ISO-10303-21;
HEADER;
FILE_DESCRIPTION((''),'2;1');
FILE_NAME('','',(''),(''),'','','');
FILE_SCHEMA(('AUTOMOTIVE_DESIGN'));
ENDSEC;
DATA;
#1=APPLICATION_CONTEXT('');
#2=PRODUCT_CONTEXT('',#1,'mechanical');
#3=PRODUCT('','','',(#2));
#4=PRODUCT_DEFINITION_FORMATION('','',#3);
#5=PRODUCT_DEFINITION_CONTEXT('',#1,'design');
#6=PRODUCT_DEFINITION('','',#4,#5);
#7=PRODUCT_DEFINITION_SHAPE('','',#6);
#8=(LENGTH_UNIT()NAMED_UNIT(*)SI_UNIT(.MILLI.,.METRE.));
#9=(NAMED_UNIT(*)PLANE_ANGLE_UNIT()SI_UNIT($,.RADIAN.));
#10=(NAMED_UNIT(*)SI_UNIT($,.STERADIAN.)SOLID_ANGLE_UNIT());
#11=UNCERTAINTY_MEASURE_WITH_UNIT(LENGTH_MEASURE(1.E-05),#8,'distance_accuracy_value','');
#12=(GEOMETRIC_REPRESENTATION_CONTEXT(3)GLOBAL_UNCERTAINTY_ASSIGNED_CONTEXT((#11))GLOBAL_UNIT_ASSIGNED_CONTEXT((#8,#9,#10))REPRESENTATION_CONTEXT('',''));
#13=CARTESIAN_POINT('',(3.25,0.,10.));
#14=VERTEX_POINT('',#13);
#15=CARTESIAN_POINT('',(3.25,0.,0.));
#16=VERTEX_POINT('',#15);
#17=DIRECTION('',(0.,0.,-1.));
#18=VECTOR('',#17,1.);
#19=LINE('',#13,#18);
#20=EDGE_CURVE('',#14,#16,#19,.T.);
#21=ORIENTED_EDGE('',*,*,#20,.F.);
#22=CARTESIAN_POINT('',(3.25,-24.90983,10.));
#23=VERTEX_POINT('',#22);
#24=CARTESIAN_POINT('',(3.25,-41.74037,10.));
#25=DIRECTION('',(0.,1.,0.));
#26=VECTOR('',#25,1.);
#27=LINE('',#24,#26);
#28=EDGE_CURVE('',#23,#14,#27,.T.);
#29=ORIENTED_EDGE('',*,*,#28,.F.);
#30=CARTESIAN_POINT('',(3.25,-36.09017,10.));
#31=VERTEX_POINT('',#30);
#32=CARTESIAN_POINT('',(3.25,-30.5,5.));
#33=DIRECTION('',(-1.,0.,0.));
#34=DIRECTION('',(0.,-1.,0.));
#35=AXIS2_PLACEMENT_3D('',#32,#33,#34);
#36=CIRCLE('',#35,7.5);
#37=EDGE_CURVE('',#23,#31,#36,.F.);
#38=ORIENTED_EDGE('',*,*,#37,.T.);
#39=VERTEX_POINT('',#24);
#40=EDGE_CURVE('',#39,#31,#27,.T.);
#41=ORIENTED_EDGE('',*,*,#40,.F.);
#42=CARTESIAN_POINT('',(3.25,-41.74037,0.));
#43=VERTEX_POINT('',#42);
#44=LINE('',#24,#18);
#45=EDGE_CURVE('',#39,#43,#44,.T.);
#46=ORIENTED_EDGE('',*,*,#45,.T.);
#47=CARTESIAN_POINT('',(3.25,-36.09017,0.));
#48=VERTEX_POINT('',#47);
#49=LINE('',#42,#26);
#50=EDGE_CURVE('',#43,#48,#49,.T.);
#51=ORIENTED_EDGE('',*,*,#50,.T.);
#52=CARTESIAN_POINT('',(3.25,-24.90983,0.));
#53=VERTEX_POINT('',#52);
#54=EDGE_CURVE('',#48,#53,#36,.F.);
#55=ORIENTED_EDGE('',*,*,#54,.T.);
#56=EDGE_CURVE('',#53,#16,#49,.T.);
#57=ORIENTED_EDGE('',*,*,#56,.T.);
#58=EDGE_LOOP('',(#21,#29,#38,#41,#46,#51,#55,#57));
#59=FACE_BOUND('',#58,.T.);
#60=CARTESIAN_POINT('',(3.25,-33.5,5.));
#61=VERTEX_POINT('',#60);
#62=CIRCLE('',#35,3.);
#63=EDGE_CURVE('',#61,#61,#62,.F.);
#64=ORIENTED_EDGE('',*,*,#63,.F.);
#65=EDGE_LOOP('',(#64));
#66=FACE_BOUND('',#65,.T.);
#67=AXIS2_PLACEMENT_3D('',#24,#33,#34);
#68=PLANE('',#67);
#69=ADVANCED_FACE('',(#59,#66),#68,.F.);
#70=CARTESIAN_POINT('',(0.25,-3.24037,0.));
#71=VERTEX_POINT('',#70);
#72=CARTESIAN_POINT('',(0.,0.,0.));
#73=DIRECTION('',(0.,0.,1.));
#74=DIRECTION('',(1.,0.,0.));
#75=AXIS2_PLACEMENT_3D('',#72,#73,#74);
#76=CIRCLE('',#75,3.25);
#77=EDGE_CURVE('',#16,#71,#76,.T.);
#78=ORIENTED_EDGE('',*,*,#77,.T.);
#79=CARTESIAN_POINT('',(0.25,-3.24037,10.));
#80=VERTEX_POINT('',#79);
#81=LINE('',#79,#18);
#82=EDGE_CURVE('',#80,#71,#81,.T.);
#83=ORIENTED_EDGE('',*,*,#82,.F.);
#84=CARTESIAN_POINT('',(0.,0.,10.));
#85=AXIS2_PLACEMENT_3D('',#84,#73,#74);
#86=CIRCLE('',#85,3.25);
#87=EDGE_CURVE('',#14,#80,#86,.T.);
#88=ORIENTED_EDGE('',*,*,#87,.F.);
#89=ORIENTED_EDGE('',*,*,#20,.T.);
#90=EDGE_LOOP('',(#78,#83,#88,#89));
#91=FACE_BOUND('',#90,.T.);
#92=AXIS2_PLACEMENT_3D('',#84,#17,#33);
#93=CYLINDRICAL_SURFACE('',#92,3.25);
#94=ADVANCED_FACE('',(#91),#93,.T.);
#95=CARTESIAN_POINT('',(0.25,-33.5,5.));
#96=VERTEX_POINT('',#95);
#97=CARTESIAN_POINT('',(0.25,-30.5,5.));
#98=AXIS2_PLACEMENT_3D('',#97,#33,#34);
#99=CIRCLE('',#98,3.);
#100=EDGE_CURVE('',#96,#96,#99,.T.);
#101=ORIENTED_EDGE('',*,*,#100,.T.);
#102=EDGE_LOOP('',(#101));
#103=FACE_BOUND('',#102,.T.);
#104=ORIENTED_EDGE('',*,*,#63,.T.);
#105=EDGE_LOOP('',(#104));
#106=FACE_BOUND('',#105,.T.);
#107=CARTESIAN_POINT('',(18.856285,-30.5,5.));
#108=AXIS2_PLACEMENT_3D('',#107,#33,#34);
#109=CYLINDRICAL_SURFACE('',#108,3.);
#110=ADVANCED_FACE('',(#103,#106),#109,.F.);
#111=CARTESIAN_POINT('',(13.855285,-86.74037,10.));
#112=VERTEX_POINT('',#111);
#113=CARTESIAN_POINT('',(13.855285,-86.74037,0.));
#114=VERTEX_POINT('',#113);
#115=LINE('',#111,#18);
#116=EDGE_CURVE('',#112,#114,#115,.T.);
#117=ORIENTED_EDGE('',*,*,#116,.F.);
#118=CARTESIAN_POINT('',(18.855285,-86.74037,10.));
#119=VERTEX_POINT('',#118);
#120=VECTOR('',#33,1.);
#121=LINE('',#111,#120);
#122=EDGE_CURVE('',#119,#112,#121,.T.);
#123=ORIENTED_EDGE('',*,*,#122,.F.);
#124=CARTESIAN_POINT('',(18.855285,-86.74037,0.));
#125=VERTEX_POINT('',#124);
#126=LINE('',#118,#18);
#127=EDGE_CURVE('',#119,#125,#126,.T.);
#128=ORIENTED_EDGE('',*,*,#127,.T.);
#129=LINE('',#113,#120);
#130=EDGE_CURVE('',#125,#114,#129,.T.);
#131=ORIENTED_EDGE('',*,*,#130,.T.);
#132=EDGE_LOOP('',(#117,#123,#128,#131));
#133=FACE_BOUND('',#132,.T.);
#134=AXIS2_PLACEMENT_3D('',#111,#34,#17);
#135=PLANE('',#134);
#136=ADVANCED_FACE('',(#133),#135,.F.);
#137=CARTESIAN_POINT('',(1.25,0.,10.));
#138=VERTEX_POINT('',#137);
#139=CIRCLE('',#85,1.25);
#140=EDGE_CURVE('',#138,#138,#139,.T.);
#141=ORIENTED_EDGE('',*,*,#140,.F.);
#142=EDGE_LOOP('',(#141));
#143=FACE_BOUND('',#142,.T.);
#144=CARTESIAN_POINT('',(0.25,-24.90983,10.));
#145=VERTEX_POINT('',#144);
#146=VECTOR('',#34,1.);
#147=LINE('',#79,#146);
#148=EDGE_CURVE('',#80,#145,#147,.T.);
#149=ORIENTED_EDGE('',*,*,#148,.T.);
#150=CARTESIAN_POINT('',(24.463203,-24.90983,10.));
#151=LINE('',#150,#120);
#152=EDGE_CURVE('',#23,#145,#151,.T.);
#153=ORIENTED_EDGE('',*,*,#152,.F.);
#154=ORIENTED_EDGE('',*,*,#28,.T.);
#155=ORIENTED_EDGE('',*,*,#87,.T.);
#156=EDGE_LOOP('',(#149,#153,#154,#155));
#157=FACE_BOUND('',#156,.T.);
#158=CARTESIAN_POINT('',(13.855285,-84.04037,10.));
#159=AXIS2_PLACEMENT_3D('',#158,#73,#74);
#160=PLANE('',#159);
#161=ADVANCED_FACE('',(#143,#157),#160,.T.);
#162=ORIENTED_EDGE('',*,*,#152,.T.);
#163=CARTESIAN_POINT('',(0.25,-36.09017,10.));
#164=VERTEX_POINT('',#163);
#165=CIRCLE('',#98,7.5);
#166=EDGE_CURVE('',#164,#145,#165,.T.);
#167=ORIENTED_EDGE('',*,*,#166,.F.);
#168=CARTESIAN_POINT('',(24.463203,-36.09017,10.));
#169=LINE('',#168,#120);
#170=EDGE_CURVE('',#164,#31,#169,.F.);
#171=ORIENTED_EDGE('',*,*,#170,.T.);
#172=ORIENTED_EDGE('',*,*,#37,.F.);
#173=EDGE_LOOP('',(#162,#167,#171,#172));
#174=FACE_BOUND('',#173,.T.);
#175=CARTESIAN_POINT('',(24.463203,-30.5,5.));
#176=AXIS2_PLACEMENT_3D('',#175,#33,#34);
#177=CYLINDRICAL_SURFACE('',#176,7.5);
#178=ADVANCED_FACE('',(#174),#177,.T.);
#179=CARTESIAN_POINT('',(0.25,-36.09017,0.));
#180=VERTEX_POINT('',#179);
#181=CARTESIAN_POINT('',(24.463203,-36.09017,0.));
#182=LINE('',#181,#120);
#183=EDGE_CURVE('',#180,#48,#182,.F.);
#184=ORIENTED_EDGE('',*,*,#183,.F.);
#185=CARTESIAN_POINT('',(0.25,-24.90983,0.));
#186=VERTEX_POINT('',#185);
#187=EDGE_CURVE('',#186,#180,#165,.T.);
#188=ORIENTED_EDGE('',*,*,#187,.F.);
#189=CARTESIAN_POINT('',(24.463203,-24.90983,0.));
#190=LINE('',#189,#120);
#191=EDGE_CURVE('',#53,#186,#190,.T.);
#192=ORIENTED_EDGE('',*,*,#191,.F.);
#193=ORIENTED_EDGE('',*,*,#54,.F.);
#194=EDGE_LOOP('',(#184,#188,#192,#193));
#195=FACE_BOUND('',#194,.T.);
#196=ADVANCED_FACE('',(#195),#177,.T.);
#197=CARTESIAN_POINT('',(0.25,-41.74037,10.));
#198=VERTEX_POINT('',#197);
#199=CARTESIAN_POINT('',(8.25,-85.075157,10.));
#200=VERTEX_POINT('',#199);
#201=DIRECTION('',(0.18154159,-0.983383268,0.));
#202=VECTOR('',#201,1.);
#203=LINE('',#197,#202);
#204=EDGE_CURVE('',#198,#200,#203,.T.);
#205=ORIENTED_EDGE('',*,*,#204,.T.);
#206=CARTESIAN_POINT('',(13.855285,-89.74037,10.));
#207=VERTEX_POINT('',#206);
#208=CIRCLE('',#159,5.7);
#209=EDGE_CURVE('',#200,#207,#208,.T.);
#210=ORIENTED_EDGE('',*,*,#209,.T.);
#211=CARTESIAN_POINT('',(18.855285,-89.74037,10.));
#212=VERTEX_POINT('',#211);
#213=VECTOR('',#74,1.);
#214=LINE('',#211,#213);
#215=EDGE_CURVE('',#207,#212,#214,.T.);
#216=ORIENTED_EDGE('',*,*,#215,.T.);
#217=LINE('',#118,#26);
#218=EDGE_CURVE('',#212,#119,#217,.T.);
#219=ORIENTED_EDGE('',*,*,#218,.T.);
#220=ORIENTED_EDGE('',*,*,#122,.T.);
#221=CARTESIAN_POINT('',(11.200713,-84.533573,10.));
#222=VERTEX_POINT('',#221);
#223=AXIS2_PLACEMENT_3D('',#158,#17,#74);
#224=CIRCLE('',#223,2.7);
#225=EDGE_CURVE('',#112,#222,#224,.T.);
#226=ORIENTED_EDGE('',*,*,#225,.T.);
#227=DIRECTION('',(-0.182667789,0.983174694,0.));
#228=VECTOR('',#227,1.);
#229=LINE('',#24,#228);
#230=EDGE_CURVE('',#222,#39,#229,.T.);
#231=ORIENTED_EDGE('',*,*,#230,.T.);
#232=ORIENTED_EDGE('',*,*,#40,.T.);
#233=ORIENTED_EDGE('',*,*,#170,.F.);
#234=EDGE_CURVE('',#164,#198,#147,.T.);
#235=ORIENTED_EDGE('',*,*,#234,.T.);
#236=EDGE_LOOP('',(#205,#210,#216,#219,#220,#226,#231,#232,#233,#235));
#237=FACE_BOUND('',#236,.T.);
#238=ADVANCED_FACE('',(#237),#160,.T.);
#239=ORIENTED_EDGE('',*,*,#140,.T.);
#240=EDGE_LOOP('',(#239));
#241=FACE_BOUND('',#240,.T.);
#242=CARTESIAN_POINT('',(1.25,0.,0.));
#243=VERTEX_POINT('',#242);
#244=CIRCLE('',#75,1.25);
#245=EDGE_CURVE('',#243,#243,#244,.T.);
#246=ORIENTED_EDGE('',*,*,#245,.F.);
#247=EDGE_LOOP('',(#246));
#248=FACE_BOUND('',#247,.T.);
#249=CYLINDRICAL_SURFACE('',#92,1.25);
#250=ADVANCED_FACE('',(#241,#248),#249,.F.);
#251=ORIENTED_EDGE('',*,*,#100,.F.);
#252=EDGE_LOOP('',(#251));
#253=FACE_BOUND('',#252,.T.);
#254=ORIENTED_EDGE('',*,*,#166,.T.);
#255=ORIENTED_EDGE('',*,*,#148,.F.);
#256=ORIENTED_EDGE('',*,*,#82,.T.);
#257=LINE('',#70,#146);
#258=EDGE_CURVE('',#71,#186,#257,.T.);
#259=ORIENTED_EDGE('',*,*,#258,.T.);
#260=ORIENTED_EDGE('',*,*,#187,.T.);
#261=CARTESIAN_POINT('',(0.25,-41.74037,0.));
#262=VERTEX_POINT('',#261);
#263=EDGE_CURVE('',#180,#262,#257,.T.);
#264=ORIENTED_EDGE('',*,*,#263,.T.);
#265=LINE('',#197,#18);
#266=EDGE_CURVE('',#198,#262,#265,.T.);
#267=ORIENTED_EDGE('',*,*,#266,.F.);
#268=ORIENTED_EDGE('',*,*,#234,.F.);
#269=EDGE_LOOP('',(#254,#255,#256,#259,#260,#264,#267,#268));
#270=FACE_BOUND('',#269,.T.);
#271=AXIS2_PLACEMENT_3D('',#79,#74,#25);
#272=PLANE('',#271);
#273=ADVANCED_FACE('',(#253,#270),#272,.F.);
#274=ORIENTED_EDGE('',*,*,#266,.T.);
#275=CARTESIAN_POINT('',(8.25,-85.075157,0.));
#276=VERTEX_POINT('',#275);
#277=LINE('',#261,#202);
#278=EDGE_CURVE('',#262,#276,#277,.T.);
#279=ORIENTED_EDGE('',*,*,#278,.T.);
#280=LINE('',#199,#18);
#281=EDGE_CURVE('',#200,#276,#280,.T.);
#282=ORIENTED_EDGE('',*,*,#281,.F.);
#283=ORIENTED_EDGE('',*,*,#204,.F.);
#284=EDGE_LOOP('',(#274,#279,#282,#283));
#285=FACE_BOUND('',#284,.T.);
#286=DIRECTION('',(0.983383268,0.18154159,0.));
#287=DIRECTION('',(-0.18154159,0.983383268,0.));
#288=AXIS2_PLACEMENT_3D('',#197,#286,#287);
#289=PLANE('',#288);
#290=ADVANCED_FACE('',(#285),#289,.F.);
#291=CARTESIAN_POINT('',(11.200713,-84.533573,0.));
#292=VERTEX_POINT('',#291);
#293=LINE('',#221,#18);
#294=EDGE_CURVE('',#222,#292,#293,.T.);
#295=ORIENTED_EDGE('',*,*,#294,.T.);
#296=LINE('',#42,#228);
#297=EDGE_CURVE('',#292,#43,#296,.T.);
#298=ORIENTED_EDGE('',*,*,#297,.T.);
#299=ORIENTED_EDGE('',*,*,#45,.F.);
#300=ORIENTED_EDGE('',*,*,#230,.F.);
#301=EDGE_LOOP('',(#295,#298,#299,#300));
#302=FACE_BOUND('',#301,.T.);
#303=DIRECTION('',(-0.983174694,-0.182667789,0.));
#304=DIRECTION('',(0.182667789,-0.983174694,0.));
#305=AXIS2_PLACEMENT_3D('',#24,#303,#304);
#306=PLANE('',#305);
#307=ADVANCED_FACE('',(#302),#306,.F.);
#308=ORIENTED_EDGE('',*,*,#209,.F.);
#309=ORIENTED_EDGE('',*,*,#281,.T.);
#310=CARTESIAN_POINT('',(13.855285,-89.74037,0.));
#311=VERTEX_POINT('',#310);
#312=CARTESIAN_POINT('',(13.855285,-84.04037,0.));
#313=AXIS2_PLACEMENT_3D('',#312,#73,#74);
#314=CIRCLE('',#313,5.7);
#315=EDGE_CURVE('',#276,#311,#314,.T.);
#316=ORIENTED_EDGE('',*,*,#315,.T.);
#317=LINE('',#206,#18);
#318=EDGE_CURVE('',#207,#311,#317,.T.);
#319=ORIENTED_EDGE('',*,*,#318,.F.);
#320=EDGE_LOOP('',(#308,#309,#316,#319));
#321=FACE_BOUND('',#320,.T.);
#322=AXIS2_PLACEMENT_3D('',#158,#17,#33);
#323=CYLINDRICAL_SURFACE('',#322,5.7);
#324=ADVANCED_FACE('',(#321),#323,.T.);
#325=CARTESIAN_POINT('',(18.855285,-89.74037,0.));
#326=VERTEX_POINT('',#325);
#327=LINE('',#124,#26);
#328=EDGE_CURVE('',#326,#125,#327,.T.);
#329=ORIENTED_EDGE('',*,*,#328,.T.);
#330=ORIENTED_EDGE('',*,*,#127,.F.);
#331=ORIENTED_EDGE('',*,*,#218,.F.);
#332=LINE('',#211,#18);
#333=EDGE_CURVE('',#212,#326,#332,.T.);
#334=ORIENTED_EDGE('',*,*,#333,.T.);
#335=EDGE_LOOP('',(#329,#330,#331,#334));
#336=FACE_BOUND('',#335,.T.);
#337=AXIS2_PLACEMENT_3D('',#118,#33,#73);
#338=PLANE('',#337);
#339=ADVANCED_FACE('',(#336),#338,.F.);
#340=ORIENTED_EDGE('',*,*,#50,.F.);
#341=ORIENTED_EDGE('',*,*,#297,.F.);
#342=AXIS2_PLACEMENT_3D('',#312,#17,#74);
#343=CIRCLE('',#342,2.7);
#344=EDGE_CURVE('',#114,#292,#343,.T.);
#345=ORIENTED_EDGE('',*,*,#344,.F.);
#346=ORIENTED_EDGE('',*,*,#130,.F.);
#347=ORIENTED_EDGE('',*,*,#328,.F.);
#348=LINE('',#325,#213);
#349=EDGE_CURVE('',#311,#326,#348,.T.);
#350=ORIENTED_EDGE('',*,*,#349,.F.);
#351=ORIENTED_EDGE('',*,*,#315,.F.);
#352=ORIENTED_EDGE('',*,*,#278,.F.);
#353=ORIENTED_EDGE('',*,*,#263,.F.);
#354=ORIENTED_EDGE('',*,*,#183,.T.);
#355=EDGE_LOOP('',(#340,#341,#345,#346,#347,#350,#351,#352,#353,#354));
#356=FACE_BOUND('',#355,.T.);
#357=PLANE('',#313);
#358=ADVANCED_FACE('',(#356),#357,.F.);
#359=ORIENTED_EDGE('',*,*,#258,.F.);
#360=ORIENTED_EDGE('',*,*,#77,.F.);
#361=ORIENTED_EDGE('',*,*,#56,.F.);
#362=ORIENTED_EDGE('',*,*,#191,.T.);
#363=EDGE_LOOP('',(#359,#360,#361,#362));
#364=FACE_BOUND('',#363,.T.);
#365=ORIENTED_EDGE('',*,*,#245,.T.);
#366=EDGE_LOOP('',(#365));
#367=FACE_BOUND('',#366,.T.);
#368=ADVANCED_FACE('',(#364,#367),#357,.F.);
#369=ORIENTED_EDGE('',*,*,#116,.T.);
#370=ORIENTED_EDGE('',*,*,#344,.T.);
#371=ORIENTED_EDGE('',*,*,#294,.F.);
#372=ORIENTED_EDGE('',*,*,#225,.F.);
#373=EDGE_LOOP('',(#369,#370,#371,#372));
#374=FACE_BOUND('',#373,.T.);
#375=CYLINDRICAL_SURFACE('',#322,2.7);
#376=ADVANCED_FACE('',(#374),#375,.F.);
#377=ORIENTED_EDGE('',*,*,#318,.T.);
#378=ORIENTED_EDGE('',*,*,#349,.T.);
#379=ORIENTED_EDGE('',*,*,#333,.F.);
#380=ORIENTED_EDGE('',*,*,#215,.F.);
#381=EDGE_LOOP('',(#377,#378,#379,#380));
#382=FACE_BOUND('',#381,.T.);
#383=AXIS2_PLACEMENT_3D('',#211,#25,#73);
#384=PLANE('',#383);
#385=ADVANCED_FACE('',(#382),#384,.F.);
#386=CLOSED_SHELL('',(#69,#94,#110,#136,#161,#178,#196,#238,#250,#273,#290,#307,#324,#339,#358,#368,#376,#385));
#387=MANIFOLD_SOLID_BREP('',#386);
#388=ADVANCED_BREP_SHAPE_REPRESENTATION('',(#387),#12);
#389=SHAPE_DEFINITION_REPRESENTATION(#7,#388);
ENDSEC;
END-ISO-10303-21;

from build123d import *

# Parameters (mm, degrees)
SKETCH1_R           = 1.25
BOSS_EXTRUDE1_DEPTH = 10
CUT_EXTRUDE1_REACH  = 94.193
SKETCH2_R           = 3
SKETCH3_R           = 7.5
SKETCH3_R_2         = 3
BOSS_EXTRUDE2_DEPTH = 3


with BuildPart() as part:
    # Sketch1 → Boss-Extrude1 (new body)
    with BuildSketch(Plane.XY):
        with BuildLine():
            Line((0.25, -3.240370349), (0.25, -41.740370349))
            Line((0.25, -41.740370349), (8.25, -85.075157412))
            ThreePointArc((8.25, -85.075157412), (10.208936196, -88.421482437), (13.855284626, -89.740370349))
            Line((13.855284626, -89.740370349), (18.855284626, -89.740370349))
            Line((18.855284626, -89.740370349), (18.855284626, -86.740370349))
            Line((18.855284626, -86.740370349), (13.855284626, -86.740370349))
            ThreePointArc((13.855284626, -86.740370349), (12.129255683, -86.116622764), (11.200712952, -84.533573379))
            Line((11.200712952, -84.533573379), (3.25, -41.740370349))
            Line((3.25, -41.740370349), (3.25, 0))
            ThreePointArc((3.25, 0), (-2.384848004, 2.207940217), (0.25, -3.240370349))
        make_face()
        Circle(SKETCH1_R, mode=Mode.SUBTRACT)
    extrude(amount=BOSS_EXTRUDE1_DEPTH)

    # Sketch2 → Cut-Extrude1 (cut, up to next)
    with BuildSketch(Plane.ZY.offset(-0.25), mode=Mode.PRIVATE) as cut_extrude1_sk1:
        with Locations(Location((5, -30.5, 0), (0, 0, 270))):
            Circle(SKETCH2_R)
    cut_extrude1_tool1 = extrude(cut_extrude1_sk1.sketch, amount=-CUT_EXTRUDE1_REACH, mode=Mode.PRIVATE) & part.part
    add(cut_extrude1_tool1.solids().sort_by_distance((0.25, -30.5, 5))[0], mode=Mode.SUBTRACT)

    # Sketch3 → Boss-Extrude2 (add)
    with BuildSketch(Plane.ZY.offset(-0.25)):
        with Locations((5, -30.5)):
            Circle(SKETCH3_R)
        with Locations(Location((5, -30.5, 0), (0, 0, 270))):
            Circle(SKETCH3_R_2, mode=Mode.SUBTRACT)
    extrude(amount=-BOSS_EXTRUDE2_DEPTH)


solid = part.part
